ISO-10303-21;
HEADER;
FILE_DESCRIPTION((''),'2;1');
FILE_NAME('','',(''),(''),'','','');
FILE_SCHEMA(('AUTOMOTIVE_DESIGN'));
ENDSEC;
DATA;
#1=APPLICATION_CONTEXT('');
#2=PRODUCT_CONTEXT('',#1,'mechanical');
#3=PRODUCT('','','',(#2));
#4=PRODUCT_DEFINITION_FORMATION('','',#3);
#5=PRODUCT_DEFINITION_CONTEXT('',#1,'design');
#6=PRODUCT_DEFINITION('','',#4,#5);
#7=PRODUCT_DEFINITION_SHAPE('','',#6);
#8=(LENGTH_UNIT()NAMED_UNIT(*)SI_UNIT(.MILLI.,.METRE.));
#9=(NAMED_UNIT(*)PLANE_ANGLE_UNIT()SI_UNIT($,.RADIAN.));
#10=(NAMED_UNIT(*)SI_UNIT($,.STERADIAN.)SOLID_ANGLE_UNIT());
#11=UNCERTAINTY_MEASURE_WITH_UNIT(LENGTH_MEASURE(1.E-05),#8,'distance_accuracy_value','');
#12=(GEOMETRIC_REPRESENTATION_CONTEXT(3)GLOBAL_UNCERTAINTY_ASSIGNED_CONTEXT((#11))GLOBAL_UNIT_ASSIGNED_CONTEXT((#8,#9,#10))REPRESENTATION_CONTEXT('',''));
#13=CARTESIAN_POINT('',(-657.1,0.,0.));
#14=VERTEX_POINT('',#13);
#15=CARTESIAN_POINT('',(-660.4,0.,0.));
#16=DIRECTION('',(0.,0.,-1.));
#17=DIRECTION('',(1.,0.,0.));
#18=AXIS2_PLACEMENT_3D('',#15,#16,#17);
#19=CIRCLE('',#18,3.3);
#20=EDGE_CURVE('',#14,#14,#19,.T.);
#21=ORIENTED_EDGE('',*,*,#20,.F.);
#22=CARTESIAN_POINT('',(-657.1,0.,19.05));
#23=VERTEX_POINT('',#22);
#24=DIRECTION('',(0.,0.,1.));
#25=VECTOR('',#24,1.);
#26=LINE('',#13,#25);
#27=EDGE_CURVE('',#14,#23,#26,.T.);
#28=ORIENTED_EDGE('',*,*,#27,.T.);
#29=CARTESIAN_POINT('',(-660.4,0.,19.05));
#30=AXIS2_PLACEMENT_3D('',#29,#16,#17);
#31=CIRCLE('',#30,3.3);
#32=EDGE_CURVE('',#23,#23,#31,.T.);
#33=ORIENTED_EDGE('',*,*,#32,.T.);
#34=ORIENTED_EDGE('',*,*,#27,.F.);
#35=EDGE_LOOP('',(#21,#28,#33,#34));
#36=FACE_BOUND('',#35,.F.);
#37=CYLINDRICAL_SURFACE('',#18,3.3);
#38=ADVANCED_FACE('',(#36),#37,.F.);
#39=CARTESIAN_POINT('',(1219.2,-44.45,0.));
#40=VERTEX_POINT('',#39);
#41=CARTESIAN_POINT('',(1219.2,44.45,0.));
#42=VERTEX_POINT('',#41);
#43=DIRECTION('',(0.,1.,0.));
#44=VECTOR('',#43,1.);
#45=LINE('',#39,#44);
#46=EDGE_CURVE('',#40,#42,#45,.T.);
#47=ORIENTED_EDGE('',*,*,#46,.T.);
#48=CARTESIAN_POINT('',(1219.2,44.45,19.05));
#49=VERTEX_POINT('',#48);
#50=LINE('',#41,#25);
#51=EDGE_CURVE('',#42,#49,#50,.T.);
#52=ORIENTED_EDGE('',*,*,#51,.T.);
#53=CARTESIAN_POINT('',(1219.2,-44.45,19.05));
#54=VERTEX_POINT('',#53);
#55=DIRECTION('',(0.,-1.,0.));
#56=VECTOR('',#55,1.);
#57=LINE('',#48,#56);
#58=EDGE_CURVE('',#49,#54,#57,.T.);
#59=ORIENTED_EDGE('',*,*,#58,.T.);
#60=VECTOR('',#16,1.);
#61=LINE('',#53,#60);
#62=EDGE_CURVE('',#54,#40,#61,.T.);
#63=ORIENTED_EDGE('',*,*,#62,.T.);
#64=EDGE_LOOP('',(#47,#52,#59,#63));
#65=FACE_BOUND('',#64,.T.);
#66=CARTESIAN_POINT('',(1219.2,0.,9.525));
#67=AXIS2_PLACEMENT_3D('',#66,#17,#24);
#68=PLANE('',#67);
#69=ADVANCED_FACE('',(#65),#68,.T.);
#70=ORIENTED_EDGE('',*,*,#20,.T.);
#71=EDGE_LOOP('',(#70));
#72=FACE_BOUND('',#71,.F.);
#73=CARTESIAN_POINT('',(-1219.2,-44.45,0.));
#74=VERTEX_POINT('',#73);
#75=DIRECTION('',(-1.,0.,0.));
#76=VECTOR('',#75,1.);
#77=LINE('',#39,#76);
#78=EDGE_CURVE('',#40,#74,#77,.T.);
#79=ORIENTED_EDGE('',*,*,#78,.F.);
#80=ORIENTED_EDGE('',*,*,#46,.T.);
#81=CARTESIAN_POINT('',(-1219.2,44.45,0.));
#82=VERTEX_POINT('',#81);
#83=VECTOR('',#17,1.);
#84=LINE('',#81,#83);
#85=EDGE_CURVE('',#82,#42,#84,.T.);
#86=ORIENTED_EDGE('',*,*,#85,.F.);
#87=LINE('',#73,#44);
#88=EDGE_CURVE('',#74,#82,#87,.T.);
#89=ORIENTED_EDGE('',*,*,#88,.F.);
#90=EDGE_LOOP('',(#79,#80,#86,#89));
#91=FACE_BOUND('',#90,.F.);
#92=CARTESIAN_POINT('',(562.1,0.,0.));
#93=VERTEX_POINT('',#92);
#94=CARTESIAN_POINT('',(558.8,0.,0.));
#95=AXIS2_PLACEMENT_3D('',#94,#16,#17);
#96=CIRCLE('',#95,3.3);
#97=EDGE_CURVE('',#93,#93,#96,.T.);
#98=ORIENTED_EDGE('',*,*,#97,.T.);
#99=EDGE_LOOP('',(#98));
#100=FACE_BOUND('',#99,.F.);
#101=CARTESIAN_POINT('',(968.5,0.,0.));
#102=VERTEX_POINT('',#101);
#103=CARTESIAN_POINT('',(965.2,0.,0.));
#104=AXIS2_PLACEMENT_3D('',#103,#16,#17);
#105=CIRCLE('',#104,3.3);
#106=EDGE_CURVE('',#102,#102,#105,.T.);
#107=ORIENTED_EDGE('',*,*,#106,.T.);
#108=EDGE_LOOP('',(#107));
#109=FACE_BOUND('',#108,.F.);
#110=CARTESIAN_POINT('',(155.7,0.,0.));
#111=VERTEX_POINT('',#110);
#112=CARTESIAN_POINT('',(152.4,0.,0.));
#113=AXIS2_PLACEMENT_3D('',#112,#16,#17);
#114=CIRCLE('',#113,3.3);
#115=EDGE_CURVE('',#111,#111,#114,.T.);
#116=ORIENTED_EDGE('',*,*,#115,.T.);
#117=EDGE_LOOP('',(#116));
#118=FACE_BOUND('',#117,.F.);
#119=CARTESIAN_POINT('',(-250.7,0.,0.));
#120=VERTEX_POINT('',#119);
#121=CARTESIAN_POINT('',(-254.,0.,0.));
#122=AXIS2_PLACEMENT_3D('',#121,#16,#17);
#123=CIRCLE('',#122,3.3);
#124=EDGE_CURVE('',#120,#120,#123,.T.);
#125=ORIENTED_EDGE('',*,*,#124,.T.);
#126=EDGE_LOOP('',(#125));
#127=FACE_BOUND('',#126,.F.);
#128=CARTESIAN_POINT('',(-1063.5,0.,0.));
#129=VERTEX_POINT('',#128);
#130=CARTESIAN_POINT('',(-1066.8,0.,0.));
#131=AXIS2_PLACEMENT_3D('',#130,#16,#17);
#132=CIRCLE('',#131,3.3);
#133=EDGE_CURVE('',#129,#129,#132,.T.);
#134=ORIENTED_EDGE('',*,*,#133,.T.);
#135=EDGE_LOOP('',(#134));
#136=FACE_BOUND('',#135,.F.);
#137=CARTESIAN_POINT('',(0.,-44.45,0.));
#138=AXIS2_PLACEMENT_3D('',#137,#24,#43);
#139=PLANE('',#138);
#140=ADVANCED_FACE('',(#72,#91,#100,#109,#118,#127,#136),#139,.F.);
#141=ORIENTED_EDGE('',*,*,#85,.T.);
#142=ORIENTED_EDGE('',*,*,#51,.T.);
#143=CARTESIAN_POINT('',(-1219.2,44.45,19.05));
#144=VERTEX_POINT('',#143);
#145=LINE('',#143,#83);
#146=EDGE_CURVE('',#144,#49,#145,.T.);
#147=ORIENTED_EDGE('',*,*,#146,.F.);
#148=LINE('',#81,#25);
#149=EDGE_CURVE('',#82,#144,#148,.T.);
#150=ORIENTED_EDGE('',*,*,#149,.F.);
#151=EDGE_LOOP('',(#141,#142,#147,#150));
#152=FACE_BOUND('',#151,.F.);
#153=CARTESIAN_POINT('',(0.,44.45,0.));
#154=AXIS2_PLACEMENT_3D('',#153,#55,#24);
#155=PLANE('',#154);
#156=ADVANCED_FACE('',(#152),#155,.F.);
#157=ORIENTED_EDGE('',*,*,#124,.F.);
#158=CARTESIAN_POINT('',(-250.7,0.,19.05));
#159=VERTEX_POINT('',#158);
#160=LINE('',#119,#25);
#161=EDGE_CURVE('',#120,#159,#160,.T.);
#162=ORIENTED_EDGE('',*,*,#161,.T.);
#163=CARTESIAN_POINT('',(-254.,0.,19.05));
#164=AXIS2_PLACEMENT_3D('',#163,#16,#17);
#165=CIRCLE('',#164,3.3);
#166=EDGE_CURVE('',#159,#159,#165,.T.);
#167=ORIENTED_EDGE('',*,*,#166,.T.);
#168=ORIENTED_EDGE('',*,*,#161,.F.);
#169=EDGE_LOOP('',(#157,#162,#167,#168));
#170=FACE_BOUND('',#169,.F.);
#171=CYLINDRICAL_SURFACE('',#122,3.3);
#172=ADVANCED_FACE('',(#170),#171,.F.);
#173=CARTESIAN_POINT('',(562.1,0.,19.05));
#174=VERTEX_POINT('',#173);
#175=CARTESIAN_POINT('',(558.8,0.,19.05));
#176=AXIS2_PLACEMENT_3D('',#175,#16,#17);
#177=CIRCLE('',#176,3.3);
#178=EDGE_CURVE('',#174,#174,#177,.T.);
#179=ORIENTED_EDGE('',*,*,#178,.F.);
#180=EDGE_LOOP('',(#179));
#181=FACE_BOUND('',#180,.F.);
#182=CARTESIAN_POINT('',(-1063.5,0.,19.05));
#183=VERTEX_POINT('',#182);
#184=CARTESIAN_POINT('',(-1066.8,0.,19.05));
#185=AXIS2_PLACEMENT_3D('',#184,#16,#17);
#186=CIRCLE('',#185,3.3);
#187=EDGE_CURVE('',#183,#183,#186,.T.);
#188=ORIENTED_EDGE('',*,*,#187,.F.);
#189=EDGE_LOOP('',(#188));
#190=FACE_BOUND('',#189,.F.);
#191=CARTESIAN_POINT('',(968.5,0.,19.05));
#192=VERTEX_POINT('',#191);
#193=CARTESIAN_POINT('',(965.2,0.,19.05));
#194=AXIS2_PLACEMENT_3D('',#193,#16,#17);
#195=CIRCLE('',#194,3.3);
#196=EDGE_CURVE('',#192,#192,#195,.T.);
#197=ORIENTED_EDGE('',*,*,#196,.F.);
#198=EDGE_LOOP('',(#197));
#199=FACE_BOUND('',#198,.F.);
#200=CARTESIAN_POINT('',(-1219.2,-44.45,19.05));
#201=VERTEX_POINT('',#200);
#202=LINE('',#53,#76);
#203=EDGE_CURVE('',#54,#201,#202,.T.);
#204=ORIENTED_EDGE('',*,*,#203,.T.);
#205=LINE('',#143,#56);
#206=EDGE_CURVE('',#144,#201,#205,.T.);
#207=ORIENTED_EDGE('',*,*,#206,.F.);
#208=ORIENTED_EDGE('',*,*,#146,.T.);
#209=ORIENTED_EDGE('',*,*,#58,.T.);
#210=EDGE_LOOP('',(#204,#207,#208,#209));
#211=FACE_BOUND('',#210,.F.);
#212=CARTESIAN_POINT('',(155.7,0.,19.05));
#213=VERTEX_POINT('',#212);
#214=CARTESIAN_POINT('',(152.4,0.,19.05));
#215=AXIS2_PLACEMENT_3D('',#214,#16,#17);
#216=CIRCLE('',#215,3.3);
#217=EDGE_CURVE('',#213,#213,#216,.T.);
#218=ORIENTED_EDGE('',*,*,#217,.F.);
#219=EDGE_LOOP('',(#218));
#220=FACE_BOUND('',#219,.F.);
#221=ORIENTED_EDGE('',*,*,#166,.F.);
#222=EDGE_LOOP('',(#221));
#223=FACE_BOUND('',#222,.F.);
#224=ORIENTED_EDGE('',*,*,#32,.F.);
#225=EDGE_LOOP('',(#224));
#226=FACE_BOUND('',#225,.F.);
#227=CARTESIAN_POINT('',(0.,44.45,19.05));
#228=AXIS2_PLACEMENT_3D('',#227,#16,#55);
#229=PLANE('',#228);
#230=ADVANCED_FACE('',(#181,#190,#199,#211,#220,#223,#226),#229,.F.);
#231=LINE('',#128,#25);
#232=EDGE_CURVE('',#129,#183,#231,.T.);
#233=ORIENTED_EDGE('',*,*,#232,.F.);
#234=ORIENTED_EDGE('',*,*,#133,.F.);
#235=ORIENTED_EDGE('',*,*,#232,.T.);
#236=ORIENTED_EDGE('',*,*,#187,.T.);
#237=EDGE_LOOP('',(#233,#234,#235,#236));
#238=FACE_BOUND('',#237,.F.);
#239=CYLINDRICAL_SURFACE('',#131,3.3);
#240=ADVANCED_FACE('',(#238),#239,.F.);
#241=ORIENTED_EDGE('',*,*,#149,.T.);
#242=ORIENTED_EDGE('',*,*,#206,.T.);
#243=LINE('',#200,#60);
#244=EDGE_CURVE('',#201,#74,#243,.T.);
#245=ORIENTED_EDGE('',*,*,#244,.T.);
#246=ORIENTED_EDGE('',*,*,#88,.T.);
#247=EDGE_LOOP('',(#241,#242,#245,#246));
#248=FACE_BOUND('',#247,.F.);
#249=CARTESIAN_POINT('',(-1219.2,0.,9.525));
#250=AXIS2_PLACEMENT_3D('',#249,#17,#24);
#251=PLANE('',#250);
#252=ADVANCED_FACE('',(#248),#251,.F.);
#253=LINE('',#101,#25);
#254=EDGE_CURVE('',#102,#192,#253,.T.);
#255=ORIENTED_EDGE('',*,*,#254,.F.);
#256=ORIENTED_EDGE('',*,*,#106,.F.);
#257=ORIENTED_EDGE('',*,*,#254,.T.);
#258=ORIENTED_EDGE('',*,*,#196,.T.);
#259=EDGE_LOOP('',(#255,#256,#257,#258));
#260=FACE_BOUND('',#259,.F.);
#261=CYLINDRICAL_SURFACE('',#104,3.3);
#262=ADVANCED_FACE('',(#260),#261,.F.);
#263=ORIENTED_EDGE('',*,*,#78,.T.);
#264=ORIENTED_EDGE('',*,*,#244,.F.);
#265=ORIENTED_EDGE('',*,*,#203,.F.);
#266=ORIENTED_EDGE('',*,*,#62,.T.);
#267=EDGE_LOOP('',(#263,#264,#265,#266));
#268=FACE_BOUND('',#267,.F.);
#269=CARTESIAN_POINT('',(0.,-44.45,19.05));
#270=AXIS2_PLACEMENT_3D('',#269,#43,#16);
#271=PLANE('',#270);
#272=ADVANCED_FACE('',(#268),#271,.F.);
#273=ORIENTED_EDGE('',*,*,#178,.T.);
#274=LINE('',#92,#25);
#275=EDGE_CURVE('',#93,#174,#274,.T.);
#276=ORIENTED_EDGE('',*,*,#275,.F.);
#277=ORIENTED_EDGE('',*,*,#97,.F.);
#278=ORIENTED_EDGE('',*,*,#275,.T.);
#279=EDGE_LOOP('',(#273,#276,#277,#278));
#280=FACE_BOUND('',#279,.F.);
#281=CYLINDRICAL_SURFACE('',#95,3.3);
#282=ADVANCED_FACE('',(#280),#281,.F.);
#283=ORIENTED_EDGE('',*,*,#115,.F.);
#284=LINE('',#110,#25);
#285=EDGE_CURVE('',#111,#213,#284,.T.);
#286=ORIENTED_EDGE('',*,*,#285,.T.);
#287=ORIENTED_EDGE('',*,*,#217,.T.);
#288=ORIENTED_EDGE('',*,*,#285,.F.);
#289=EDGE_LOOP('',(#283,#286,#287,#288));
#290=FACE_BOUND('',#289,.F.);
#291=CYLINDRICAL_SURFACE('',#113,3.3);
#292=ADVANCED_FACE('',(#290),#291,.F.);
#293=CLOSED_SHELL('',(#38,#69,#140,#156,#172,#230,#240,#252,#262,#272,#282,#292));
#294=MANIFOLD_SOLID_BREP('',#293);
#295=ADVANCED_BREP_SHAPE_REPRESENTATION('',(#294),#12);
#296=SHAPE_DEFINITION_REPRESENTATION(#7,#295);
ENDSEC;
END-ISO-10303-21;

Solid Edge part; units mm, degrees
sketch "Sketch1" plane through (0, 0, 0) normal (1, 0, 0) x (0, 1, 0)
  line L0 (-44.45, 0) -> (44.45, 0)
  line L1 (44.45, 0) -> (44.45, 19.05)
  line L2 (44.45, 19.05) -> (-44.45, 19.05)
  line L3 (-44.45, 19.05) -> (-44.45, 0)
  dimension "D1" = 88.9
  dimension "D2" = 19.05
extrude "Protrusion1" add sketch "Sketch1" along normal mid plane 2438.4
sketch "Sketch2" plane through (0, 0, 0) normal (0, 0, -1) x (1, 0, 0)
  circle A0 centre (-1066.8, 0) radius 3.3
  dimension "D1" = 6.6
  dimension "D2" = 152.4
extrude "Cutout1" cut sketch "Sketch2" against normal through all
pattern_linear "Pattern1" count 6 spacing 406.4 along (1, 0, 0) of "Cutout1"
